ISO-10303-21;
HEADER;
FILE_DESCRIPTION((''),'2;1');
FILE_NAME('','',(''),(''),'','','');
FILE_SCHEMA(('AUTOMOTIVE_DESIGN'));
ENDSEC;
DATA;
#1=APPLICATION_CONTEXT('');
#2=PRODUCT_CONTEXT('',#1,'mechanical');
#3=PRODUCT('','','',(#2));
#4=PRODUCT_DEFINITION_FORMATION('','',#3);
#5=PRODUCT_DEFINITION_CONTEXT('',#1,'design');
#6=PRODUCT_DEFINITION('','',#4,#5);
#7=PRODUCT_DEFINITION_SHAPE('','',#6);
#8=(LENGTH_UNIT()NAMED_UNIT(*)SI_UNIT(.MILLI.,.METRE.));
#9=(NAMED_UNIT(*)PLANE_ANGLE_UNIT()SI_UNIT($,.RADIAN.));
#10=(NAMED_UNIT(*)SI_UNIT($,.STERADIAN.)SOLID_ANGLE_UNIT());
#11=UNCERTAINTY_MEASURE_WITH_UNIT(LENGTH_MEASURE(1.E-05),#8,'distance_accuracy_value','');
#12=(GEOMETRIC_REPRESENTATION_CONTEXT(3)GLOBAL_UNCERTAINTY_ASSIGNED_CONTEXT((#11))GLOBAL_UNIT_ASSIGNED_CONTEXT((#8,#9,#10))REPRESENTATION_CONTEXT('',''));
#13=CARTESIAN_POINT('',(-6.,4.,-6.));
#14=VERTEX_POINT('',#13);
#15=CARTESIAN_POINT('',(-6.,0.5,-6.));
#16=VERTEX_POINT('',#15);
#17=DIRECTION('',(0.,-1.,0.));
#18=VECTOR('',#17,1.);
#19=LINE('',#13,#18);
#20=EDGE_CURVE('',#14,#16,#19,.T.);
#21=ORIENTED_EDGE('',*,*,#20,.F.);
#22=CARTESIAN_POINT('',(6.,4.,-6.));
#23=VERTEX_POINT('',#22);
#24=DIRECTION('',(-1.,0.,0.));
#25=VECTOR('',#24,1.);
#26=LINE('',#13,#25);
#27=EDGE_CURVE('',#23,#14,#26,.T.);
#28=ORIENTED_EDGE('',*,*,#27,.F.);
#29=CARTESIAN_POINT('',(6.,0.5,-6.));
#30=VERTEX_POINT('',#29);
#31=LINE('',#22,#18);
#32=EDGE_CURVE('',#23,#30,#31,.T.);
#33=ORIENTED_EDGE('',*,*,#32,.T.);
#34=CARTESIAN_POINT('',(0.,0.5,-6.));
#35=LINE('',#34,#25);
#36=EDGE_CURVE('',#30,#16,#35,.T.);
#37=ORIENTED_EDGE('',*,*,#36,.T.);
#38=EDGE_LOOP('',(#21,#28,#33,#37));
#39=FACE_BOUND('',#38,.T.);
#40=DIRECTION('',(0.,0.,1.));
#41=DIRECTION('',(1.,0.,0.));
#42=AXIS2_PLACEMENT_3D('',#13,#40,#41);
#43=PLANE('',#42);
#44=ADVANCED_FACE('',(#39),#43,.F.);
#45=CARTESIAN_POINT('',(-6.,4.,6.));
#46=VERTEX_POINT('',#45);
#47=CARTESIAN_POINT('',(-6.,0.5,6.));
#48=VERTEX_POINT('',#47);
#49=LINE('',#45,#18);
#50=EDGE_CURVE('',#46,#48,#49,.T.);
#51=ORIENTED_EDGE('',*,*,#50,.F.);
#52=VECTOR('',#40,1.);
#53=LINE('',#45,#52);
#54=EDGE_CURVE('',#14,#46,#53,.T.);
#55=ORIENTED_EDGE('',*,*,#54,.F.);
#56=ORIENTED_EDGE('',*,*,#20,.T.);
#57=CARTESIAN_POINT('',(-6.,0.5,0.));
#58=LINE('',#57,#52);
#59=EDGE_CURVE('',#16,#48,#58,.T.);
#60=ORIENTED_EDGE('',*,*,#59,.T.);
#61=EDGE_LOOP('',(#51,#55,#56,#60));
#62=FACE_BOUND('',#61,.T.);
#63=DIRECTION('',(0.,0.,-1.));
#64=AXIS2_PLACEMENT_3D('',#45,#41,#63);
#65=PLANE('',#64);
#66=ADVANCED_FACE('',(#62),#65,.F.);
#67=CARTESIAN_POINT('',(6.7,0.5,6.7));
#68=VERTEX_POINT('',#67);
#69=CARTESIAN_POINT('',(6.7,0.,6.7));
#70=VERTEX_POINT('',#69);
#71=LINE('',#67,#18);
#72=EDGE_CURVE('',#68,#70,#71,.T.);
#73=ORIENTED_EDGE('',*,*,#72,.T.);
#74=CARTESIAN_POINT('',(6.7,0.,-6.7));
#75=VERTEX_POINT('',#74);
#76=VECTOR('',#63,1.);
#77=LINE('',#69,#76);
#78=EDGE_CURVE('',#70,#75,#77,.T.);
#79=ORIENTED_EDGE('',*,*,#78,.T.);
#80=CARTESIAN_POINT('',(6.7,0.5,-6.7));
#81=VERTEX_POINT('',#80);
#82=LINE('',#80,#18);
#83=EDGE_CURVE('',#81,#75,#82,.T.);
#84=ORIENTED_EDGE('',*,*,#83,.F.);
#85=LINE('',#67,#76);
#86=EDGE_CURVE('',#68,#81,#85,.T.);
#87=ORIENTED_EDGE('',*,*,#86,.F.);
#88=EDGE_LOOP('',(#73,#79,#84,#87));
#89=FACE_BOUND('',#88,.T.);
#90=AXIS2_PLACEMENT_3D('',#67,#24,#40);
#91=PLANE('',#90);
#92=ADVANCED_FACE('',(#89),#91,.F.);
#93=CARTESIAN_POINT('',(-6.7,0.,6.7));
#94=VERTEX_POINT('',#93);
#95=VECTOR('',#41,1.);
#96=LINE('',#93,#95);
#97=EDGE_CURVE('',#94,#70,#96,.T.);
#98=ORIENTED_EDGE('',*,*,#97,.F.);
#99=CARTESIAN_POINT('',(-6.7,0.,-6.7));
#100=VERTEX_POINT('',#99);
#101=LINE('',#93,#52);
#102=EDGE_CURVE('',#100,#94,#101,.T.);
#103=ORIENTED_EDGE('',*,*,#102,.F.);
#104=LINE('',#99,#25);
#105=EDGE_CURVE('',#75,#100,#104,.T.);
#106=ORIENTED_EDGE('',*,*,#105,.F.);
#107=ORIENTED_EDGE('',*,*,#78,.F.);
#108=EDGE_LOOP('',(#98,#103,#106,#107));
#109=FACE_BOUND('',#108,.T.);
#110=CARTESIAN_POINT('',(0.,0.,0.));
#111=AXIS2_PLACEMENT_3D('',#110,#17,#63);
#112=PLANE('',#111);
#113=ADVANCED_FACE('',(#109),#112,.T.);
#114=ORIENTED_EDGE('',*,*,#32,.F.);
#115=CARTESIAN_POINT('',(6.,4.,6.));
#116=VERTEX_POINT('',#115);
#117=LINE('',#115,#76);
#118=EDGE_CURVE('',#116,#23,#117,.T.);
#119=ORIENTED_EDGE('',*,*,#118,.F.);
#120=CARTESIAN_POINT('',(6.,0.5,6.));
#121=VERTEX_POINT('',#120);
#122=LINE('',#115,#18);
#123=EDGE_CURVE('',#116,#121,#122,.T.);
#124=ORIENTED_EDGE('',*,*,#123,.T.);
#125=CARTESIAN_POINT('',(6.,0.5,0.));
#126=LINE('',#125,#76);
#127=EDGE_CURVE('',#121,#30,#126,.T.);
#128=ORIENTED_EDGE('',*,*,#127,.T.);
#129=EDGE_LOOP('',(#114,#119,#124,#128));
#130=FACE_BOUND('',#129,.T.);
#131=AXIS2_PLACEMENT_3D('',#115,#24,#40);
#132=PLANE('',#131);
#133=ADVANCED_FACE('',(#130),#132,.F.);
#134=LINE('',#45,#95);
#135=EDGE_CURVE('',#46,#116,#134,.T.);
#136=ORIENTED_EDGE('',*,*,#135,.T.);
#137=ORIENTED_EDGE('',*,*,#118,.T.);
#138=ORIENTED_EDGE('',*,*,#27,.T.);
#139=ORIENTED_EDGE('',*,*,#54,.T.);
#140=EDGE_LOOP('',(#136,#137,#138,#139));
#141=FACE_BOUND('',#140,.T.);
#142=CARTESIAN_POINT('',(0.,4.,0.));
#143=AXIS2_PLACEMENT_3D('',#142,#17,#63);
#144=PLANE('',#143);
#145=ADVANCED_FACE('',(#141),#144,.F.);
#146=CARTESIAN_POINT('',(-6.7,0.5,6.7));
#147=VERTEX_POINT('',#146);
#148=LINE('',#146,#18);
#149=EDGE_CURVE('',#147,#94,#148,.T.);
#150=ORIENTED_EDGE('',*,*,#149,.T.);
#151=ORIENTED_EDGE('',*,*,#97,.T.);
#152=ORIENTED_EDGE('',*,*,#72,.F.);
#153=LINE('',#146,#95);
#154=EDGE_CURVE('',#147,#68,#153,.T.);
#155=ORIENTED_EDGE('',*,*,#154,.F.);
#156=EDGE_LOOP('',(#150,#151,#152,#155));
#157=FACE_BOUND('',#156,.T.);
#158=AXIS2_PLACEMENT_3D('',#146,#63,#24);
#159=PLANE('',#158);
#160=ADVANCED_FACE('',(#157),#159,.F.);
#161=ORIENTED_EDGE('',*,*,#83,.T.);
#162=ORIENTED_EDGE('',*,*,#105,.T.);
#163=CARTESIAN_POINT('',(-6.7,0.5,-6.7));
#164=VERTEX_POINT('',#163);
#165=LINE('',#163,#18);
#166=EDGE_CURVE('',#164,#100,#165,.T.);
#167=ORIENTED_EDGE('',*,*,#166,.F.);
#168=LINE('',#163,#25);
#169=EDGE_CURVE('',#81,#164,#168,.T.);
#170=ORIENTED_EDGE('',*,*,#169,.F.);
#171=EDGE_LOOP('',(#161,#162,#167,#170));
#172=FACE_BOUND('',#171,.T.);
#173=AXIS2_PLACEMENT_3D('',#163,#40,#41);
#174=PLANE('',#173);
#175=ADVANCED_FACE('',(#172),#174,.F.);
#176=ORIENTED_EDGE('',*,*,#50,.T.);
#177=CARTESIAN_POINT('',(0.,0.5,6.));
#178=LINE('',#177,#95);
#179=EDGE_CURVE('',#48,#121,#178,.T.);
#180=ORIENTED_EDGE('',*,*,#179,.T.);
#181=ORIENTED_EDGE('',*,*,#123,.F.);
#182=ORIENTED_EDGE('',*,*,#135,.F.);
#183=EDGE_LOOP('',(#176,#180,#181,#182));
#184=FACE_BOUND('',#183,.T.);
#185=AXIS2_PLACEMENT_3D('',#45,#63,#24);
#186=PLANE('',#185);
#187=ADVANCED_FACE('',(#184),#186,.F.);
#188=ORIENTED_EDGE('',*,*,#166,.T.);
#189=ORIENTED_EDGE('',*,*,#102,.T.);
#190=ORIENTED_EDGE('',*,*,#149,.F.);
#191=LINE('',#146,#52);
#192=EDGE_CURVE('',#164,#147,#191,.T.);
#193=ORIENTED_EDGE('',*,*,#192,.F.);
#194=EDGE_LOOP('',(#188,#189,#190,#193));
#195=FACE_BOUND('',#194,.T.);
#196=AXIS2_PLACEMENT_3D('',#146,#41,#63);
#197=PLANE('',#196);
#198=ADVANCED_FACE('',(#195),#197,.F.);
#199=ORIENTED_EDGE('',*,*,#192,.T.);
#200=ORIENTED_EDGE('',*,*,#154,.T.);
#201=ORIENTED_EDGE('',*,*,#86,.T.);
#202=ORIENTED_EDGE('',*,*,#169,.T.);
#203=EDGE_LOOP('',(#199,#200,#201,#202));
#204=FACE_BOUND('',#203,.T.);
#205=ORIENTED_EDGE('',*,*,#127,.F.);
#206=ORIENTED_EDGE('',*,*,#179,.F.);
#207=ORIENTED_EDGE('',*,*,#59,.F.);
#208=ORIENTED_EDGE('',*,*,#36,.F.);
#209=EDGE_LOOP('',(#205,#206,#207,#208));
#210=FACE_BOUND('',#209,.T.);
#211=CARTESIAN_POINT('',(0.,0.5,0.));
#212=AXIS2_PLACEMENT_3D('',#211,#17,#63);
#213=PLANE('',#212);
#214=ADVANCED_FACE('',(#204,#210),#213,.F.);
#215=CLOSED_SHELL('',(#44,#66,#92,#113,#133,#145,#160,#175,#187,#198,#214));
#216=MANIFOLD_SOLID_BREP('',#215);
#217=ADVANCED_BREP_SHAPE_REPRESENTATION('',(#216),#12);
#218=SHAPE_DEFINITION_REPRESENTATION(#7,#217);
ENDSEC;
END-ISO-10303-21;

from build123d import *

# Parameters (mm, degrees)
SKETCH3_W           = 13.4
SKETCH3_H           = 13.4
BOSS_EXTRUDE2_DEPTH = 0.5
SKETCH4_W           = 12
SKETCH4_H           = 12
BOSS_EXTRUDE3_DEPTH = 4


with BuildPart() as part:
    # Sketch3 → Boss-Extrude2 (new body)
    with BuildSketch(Plane(origin=(0, 0, 0), x_dir=(1, 0, 0), z_dir=(0, 1, 0))):
        Rectangle(SKETCH3_W, SKETCH3_H)
    extrude(amount=BOSS_EXTRUDE2_DEPTH)

    # Sketch4 → Boss-Extrude3 (add)
    with BuildSketch(Plane(origin=(0, 0, 0), x_dir=(1, 0, 0), z_dir=(0, 1, 0))):
        Rectangle(SKETCH4_W, SKETCH4_H)
    extrude(amount=BOSS_EXTRUDE3_DEPTH)


solid = part.part
